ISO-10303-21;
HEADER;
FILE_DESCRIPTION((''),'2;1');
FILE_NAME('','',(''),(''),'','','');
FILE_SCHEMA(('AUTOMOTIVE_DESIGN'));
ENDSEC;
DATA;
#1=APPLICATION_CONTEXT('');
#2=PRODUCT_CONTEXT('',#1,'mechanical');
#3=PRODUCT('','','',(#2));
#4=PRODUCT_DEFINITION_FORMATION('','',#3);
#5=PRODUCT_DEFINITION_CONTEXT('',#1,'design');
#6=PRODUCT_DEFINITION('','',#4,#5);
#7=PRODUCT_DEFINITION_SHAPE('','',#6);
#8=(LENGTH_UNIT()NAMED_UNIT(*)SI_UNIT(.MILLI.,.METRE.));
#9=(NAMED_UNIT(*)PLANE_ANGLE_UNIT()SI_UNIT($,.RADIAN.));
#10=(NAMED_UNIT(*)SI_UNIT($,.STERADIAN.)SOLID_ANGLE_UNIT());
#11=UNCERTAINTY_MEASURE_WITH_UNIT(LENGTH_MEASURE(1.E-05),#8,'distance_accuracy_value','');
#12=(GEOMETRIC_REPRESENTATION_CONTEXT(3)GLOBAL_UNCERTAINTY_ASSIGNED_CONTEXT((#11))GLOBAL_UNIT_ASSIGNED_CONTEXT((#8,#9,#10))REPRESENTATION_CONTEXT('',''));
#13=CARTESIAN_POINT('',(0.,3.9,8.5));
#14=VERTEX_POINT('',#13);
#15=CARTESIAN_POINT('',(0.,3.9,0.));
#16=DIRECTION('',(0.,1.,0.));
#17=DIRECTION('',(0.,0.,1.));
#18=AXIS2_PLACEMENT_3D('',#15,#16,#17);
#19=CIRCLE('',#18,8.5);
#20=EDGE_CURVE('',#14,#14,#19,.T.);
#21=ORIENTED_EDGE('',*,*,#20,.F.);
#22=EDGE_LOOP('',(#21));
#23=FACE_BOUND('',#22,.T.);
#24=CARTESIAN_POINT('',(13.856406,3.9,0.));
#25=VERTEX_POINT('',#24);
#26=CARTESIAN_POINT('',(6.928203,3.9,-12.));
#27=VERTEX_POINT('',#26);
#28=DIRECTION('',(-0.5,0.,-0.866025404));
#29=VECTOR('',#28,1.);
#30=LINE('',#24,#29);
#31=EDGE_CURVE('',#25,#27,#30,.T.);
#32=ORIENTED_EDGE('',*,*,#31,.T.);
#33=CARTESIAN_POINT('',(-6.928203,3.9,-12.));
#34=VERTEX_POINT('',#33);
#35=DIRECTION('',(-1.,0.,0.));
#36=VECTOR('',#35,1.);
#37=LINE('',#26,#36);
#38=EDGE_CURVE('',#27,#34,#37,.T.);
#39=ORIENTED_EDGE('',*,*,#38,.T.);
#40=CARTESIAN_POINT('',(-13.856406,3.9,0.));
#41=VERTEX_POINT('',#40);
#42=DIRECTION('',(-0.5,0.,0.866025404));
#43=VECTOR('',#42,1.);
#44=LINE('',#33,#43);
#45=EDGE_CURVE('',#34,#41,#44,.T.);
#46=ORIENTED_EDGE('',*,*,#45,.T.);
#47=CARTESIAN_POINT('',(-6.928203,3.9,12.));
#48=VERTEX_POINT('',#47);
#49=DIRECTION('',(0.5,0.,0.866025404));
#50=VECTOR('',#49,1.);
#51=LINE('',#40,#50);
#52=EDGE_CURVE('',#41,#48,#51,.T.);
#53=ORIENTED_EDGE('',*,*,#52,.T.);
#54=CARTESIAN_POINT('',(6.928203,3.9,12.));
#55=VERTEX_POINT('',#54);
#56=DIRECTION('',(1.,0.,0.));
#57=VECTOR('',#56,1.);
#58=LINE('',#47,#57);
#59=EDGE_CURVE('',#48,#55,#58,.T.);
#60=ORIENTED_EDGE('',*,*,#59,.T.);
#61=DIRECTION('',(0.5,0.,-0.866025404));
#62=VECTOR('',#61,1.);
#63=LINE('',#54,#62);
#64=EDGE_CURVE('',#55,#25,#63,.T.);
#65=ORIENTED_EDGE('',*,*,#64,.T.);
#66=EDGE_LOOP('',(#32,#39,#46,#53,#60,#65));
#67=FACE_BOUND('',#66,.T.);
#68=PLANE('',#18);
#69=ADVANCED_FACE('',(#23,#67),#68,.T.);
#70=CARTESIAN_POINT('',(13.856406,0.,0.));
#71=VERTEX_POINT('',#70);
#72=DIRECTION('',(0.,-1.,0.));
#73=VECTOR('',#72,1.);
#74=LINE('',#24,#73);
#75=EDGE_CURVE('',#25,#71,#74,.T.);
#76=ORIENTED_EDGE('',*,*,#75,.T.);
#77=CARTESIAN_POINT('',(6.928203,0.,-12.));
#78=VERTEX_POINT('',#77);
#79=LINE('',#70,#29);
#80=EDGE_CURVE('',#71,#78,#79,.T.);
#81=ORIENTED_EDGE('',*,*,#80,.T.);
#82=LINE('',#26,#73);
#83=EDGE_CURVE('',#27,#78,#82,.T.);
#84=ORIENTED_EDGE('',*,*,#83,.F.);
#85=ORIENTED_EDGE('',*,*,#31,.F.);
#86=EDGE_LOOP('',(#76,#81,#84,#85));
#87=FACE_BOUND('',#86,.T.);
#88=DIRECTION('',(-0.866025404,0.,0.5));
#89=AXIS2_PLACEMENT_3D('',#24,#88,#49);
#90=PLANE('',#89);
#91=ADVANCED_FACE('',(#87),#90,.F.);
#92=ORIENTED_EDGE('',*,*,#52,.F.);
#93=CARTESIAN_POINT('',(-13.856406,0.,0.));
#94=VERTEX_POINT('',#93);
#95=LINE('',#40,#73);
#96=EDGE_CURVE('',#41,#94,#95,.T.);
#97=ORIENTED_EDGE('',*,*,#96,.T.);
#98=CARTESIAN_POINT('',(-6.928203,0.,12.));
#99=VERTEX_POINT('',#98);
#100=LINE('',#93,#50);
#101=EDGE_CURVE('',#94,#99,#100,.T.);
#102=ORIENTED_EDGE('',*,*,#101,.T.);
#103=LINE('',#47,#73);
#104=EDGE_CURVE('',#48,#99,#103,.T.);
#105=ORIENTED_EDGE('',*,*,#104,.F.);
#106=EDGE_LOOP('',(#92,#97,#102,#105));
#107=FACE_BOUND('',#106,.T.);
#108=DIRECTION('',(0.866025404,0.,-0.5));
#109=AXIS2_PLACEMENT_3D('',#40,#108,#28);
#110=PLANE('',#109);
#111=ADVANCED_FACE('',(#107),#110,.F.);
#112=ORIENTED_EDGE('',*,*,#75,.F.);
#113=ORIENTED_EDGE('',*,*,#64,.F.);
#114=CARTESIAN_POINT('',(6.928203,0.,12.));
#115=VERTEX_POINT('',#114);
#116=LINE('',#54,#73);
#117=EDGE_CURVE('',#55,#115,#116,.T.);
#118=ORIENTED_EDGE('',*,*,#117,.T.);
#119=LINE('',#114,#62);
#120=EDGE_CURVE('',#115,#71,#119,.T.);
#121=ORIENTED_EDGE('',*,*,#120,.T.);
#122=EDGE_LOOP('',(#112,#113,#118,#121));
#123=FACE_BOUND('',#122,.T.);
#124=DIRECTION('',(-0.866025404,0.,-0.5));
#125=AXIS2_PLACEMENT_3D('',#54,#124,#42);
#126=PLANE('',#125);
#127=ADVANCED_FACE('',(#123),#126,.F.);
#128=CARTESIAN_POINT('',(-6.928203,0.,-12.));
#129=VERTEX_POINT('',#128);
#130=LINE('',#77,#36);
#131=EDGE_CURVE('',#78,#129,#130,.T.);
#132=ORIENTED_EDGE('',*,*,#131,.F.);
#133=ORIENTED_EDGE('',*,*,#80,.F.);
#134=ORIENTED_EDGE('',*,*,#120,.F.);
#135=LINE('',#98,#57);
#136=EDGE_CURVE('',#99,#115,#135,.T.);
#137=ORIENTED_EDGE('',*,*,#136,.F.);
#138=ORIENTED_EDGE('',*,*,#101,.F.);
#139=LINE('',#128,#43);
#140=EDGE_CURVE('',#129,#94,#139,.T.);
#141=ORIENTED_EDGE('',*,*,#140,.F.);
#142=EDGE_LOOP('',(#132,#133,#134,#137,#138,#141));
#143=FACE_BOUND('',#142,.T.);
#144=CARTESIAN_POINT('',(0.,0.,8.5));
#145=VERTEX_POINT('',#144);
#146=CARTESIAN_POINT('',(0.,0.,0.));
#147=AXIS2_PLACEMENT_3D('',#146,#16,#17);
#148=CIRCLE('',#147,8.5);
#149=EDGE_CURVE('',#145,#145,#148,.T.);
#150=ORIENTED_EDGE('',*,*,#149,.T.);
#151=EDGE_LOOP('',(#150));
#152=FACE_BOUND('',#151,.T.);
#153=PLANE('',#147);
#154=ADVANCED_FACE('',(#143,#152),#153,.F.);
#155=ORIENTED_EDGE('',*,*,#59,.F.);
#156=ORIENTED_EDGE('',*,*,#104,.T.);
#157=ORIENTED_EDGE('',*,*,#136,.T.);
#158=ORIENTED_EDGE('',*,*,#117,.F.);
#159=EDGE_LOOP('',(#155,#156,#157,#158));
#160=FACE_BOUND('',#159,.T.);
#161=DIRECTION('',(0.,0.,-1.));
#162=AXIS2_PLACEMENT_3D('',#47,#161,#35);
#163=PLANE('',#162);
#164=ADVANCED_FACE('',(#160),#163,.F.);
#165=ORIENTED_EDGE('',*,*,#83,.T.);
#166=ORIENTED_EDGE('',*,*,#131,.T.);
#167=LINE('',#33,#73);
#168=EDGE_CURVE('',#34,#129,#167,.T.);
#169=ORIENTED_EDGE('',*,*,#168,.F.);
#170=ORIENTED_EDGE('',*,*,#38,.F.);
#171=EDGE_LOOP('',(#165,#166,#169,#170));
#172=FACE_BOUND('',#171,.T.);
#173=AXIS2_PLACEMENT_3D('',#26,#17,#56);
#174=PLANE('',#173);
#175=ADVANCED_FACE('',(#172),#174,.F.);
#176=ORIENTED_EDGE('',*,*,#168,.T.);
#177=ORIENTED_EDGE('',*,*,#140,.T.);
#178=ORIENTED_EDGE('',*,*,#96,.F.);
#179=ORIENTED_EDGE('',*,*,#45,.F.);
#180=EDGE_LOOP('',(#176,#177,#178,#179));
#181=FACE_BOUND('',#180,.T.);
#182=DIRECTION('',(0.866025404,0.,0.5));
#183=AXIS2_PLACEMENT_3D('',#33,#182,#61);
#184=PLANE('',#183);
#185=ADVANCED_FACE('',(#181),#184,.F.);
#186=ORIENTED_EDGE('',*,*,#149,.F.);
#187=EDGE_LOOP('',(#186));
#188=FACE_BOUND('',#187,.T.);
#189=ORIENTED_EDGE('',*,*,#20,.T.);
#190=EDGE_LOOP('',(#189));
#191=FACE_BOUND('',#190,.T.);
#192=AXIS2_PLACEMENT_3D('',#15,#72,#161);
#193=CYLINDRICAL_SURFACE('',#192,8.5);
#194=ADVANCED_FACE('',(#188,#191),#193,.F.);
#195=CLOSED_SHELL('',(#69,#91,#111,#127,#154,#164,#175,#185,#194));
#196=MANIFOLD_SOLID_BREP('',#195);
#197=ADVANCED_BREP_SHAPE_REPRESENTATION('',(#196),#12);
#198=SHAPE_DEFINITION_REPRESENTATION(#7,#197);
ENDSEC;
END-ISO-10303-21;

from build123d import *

# Parameters (mm, degrees)
SKETCH2_R           = 8.5
BOSS_EXTRUDE1_DEPTH = 3.9


with BuildPart() as part:
    # Sketch2 → Boss-Extrude1 (new body)
    with BuildSketch(Plane(origin=(0, 0, 0), x_dir=(1, 0, 0), z_dir=(0, 1, 0))):
        Polygon((6.92820323, 12), (-6.92820323, 12), (-13.856406461, 0), (-6.92820323, -12), (6.92820323, -12), (13.856406461, 0), align=None)
        with Locations(Location((0, 0, 0), (0, 0, 270))):
            Circle(SKETCH2_R, mode=Mode.SUBTRACT)
    extrude(amount=BOSS_EXTRUDE1_DEPTH)


solid = part.part
